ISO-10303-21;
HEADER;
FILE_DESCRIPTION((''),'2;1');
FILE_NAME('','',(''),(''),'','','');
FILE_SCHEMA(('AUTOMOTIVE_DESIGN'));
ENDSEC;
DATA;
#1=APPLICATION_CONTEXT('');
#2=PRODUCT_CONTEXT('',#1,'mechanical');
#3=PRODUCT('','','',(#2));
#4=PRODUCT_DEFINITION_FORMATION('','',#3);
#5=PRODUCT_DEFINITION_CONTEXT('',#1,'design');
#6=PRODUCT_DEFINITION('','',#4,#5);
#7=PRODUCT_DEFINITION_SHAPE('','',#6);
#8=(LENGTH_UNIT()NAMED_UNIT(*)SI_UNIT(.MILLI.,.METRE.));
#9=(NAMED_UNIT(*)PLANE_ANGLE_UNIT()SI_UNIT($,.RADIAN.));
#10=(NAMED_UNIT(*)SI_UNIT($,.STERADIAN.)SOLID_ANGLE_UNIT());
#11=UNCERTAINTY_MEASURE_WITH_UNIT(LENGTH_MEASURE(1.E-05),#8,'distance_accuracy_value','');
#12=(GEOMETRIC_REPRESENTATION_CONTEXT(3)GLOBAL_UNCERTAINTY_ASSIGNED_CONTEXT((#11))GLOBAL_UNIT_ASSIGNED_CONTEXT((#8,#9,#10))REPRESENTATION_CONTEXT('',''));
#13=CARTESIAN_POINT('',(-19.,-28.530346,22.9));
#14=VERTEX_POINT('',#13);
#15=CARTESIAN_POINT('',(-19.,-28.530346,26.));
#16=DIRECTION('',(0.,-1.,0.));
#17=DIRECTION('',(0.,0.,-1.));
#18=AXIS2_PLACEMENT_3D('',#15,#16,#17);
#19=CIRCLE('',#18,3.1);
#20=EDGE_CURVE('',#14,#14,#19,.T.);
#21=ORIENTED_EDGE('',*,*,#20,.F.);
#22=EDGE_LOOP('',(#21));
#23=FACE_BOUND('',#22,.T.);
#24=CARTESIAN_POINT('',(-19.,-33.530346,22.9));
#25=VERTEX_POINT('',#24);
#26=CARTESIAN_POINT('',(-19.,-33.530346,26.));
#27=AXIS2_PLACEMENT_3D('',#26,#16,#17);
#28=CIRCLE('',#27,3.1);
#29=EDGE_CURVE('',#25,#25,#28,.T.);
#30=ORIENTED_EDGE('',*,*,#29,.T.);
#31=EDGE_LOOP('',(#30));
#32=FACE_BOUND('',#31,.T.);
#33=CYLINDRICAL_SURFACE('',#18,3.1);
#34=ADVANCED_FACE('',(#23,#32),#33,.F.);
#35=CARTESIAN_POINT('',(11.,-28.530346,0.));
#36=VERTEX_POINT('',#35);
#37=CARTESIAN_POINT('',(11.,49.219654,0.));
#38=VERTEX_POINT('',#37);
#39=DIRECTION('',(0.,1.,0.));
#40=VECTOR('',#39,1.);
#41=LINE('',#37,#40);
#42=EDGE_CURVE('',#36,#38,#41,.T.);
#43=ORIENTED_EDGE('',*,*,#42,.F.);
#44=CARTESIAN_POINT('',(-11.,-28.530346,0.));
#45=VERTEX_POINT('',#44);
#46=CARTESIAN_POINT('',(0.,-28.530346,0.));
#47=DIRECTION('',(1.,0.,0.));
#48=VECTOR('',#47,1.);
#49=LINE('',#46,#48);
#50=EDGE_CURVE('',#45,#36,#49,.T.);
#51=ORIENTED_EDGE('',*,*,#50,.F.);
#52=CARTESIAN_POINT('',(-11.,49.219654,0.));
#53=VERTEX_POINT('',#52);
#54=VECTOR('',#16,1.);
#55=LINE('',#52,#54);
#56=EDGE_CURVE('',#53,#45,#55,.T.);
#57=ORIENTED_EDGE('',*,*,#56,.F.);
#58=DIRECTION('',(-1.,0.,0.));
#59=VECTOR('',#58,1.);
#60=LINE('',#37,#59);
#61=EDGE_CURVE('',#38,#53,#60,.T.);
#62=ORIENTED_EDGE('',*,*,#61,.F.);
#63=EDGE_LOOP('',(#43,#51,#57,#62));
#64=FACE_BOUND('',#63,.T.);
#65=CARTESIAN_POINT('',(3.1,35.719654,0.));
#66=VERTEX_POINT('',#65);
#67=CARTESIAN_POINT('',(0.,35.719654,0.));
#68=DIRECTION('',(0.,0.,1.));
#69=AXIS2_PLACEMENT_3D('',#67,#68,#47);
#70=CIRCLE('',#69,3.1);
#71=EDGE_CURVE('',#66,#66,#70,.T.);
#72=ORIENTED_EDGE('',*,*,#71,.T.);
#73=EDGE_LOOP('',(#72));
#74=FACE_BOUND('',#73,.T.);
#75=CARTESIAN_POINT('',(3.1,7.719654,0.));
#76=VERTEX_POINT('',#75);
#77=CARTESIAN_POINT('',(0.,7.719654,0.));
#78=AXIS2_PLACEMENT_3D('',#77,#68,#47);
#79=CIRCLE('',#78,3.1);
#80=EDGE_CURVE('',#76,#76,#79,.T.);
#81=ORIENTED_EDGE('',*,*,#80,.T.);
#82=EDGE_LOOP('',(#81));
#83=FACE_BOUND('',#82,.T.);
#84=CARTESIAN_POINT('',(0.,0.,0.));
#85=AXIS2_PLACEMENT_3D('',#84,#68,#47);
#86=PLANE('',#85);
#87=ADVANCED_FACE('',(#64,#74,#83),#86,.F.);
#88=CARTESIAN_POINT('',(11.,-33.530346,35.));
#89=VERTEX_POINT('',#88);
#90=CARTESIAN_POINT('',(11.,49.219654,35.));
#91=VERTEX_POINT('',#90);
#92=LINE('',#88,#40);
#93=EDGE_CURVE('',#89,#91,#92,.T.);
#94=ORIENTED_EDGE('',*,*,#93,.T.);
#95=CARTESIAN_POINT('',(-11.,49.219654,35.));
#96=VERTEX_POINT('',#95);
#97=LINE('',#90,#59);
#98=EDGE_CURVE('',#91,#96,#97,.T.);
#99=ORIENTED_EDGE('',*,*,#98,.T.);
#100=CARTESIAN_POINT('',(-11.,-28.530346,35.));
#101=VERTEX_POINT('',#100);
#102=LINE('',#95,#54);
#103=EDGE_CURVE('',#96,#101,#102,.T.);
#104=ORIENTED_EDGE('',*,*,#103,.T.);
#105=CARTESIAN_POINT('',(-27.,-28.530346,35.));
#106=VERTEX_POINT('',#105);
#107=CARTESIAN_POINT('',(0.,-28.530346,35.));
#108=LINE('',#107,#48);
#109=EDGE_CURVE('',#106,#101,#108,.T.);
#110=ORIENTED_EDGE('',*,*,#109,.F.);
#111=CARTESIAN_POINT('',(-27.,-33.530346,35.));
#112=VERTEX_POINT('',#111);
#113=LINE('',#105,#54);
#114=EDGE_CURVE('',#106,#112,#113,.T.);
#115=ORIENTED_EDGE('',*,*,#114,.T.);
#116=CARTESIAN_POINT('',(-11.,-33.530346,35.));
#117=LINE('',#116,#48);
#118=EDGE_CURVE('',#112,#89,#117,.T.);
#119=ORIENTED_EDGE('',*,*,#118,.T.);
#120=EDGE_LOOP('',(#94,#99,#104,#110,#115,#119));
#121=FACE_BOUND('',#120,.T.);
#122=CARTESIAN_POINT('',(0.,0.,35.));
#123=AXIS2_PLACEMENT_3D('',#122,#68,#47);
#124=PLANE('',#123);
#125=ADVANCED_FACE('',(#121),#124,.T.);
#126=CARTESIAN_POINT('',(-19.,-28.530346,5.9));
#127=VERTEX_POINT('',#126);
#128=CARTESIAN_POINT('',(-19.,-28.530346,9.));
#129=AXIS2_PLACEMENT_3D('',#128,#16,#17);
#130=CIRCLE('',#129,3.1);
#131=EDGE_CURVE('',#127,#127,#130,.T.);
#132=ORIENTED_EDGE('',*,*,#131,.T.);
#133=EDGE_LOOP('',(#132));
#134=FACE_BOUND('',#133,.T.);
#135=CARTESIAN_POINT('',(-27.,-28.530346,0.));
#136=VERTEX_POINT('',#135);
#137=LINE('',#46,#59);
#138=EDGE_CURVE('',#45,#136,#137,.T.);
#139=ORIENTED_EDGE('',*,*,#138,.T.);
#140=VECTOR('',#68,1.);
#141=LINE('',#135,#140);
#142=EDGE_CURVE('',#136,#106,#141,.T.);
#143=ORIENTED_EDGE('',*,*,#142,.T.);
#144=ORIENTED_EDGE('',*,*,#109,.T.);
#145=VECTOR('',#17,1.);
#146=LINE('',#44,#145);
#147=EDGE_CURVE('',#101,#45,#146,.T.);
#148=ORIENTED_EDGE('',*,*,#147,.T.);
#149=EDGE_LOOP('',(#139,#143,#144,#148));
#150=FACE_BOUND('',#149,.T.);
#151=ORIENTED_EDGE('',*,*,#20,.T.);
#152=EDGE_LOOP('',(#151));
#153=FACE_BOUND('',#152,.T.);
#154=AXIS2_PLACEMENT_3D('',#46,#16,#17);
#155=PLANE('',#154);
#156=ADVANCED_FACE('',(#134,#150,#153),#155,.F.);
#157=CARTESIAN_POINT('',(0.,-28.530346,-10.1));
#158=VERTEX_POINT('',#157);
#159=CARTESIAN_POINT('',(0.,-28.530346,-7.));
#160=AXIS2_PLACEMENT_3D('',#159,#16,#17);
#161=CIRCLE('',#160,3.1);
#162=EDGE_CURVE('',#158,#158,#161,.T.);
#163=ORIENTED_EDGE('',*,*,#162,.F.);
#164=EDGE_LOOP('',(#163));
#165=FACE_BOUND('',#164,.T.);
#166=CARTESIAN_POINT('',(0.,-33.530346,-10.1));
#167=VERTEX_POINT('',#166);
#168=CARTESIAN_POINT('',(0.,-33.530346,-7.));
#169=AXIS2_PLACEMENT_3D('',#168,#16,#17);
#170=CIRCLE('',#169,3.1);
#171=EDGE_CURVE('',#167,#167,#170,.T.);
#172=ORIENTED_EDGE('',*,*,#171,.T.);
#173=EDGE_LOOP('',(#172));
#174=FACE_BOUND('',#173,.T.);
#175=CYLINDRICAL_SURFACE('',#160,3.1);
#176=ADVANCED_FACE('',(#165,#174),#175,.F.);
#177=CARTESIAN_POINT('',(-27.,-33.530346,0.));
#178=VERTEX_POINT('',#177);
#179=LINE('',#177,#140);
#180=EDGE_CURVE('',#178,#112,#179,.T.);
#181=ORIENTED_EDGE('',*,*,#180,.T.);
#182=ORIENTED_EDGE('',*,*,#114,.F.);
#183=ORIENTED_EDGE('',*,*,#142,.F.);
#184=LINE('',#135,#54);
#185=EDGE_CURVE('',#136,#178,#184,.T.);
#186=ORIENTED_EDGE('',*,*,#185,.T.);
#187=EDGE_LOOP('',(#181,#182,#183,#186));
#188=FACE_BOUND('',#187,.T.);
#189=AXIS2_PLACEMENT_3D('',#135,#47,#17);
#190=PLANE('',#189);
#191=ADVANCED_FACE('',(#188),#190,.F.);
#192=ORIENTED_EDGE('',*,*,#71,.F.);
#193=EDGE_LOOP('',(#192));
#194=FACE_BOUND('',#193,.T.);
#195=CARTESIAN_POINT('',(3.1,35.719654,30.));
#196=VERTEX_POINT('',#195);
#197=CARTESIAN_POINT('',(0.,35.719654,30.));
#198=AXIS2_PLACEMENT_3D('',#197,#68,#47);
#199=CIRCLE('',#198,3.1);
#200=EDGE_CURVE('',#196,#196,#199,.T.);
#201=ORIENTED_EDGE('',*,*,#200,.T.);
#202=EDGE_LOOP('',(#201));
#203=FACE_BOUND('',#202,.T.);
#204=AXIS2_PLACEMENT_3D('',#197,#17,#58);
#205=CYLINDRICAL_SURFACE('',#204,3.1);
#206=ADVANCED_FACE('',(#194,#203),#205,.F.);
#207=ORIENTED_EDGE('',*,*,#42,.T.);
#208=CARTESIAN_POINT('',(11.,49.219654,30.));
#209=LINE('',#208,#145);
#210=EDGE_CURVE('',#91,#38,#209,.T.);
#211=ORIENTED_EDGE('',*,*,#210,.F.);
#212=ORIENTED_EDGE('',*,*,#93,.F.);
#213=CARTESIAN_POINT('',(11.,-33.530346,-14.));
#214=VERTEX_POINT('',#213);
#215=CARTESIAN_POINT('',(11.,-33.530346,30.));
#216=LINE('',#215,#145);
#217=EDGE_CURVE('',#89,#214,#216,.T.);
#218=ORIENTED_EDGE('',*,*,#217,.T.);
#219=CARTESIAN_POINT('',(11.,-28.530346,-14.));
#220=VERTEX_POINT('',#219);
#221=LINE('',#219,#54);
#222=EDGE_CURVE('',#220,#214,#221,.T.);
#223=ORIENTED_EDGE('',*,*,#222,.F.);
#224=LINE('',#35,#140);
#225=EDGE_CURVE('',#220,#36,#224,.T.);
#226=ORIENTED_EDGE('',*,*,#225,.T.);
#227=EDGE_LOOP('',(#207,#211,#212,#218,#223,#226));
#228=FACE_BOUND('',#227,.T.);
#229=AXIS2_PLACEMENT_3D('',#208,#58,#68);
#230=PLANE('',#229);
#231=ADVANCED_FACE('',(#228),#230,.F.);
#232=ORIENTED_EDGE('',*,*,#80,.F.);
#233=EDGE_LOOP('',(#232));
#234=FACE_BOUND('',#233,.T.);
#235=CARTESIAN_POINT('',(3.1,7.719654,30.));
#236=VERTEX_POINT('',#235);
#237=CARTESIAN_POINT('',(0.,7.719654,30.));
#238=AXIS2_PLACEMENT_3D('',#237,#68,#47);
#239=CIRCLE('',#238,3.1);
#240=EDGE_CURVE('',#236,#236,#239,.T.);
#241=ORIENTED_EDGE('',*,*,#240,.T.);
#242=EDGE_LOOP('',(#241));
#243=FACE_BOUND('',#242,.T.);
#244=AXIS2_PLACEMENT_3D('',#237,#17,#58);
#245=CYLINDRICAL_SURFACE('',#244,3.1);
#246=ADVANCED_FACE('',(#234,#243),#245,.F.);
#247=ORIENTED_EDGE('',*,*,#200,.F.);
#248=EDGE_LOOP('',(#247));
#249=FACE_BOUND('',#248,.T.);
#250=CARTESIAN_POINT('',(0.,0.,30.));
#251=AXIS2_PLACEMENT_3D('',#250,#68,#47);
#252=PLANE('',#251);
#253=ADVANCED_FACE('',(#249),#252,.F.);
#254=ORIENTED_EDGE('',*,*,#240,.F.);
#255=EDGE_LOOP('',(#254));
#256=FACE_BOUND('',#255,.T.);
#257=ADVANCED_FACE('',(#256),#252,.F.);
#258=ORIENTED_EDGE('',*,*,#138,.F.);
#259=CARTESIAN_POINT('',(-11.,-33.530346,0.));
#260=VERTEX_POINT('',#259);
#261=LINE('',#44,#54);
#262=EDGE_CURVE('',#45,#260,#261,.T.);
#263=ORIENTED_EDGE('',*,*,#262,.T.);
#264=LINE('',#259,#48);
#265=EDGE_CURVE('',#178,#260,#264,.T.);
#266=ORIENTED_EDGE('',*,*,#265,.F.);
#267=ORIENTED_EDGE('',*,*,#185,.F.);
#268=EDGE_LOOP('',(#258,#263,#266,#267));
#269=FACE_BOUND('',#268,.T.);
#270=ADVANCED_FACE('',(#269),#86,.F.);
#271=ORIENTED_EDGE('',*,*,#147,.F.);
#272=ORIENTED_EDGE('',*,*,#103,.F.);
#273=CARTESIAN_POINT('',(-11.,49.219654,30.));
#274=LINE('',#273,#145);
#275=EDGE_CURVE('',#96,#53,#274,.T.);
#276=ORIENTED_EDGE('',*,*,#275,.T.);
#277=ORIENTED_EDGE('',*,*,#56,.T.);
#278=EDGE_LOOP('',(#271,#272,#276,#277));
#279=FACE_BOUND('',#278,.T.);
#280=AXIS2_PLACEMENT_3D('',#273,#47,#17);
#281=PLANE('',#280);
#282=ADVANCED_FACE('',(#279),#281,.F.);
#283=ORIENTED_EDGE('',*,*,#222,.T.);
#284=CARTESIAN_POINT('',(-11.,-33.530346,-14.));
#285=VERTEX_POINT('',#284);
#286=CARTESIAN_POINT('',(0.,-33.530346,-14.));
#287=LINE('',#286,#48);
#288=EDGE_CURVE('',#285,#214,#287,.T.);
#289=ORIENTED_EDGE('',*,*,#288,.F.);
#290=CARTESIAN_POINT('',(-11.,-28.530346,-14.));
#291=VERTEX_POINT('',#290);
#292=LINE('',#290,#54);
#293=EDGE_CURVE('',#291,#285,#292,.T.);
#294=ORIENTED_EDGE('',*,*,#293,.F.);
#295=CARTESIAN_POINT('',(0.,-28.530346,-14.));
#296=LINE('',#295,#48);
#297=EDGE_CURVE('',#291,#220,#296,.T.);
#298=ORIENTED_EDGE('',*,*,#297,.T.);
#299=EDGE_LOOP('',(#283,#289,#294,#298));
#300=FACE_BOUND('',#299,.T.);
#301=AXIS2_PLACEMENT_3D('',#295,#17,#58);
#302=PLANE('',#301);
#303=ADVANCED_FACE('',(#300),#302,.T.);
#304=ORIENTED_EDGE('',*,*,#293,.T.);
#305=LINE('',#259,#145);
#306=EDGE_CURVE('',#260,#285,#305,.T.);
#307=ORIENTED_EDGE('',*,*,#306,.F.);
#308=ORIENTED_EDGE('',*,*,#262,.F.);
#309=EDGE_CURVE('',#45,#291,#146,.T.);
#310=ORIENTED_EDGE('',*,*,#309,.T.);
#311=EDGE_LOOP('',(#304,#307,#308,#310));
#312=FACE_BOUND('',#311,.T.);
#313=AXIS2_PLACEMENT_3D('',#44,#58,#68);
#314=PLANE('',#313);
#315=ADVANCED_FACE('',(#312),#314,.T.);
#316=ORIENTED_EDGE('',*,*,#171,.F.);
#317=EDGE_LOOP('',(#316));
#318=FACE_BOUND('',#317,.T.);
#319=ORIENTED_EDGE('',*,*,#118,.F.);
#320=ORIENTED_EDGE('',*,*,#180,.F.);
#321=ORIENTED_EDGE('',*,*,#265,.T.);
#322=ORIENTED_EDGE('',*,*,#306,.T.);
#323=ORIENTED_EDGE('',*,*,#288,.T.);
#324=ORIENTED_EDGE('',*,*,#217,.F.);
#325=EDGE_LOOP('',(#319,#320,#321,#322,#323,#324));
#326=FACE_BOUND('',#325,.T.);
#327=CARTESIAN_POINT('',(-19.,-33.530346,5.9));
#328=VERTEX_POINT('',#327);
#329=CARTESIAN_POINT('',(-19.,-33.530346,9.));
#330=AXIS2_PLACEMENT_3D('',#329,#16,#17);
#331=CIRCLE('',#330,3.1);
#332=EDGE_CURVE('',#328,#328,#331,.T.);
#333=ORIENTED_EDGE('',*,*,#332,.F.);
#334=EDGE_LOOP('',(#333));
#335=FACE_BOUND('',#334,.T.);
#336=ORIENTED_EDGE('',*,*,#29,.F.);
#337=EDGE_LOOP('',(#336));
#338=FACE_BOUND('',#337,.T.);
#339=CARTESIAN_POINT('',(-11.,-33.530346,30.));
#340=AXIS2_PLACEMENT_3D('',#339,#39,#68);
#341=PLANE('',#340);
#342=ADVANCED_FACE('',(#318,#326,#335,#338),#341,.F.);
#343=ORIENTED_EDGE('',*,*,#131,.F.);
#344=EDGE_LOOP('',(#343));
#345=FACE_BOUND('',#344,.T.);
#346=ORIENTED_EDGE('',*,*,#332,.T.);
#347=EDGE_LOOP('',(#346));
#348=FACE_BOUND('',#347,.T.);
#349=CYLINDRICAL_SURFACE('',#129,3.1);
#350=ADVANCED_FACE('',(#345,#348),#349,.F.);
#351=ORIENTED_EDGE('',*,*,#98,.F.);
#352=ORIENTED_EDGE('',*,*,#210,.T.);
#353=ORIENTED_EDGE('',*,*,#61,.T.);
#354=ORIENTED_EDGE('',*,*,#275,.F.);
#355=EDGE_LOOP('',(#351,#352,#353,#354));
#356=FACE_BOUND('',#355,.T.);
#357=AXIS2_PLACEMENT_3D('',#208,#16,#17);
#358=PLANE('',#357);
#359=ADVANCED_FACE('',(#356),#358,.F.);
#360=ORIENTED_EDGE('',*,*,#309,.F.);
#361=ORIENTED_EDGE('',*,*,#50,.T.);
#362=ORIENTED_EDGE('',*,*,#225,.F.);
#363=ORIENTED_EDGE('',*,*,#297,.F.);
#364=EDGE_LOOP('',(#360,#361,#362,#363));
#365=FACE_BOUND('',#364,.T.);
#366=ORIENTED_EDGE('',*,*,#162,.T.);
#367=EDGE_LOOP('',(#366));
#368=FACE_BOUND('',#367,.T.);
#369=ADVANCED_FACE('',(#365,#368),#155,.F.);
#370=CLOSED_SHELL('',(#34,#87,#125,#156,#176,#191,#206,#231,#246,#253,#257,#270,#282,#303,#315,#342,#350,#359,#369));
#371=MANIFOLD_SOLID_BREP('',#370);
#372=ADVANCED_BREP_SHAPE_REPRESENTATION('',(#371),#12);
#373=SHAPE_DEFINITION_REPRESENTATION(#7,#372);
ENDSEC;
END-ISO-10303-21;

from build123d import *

# Parameters (mm, degrees)
SKETCH1_W           = 22
SKETCH1_H           = 82.75
SKETCH1_R           = 3.1
BOSS_EXTRUDE1_DEPTH = 30
SKETCH2_W           = 22
SKETCH2_H           = 82.75
BOSS_EXTRUDE2_DEPTH = 5
SKETCH3_W           = 16
SKETCH3_H           = 35
SKETCH3_R           = 3.1
SKETCH3_W_2         = 22
SKETCH3_H_2         = 14
BOSS_EXTRUDE3_DEPTH = 5


with BuildPart() as part:
    # Sketch1 → Boss-Extrude1 (new body)
    with BuildSketch(Plane.XY):
        with Locations((0, 7.844654309)):
            Rectangle(SKETCH1_W, SKETCH1_H)
        with Locations((0, 35.719654309)):
            Circle(SKETCH1_R, mode=Mode.SUBTRACT)
        with Locations((0, 7.719654309)):
            Circle(SKETCH1_R, mode=Mode.SUBTRACT)
    extrude(amount=BOSS_EXTRUDE1_DEPTH)

    # Sketch2 → Boss-Extrude2 (add)
    with BuildSketch(Plane.XY.offset(30)):
        with Locations((0, 7.844654309)):
            Rectangle(SKETCH2_W, SKETCH2_H)
    extrude(amount=BOSS_EXTRUDE2_DEPTH)

    # Sketch3 → Boss-Extrude3 (add)
    with BuildSketch(Plane.XZ.offset(33.530345691)):
        with Locations((-19, 17.5)):
            Rectangle(SKETCH3_W, SKETCH3_H)
        with Locations((-19, 26)):
            Circle(SKETCH3_R, mode=Mode.SUBTRACT)
        with Locations((-19, 9)):
            Circle(SKETCH3_R, mode=Mode.SUBTRACT)
        with Locations((0, -7)):
            Rectangle(SKETCH3_W_2, SKETCH3_H_2)
        with Locations((0, -7)):
            Circle(SKETCH3_R, mode=Mode.SUBTRACT)
    extrude(amount=-BOSS_EXTRUDE3_DEPTH)


solid = part.part
